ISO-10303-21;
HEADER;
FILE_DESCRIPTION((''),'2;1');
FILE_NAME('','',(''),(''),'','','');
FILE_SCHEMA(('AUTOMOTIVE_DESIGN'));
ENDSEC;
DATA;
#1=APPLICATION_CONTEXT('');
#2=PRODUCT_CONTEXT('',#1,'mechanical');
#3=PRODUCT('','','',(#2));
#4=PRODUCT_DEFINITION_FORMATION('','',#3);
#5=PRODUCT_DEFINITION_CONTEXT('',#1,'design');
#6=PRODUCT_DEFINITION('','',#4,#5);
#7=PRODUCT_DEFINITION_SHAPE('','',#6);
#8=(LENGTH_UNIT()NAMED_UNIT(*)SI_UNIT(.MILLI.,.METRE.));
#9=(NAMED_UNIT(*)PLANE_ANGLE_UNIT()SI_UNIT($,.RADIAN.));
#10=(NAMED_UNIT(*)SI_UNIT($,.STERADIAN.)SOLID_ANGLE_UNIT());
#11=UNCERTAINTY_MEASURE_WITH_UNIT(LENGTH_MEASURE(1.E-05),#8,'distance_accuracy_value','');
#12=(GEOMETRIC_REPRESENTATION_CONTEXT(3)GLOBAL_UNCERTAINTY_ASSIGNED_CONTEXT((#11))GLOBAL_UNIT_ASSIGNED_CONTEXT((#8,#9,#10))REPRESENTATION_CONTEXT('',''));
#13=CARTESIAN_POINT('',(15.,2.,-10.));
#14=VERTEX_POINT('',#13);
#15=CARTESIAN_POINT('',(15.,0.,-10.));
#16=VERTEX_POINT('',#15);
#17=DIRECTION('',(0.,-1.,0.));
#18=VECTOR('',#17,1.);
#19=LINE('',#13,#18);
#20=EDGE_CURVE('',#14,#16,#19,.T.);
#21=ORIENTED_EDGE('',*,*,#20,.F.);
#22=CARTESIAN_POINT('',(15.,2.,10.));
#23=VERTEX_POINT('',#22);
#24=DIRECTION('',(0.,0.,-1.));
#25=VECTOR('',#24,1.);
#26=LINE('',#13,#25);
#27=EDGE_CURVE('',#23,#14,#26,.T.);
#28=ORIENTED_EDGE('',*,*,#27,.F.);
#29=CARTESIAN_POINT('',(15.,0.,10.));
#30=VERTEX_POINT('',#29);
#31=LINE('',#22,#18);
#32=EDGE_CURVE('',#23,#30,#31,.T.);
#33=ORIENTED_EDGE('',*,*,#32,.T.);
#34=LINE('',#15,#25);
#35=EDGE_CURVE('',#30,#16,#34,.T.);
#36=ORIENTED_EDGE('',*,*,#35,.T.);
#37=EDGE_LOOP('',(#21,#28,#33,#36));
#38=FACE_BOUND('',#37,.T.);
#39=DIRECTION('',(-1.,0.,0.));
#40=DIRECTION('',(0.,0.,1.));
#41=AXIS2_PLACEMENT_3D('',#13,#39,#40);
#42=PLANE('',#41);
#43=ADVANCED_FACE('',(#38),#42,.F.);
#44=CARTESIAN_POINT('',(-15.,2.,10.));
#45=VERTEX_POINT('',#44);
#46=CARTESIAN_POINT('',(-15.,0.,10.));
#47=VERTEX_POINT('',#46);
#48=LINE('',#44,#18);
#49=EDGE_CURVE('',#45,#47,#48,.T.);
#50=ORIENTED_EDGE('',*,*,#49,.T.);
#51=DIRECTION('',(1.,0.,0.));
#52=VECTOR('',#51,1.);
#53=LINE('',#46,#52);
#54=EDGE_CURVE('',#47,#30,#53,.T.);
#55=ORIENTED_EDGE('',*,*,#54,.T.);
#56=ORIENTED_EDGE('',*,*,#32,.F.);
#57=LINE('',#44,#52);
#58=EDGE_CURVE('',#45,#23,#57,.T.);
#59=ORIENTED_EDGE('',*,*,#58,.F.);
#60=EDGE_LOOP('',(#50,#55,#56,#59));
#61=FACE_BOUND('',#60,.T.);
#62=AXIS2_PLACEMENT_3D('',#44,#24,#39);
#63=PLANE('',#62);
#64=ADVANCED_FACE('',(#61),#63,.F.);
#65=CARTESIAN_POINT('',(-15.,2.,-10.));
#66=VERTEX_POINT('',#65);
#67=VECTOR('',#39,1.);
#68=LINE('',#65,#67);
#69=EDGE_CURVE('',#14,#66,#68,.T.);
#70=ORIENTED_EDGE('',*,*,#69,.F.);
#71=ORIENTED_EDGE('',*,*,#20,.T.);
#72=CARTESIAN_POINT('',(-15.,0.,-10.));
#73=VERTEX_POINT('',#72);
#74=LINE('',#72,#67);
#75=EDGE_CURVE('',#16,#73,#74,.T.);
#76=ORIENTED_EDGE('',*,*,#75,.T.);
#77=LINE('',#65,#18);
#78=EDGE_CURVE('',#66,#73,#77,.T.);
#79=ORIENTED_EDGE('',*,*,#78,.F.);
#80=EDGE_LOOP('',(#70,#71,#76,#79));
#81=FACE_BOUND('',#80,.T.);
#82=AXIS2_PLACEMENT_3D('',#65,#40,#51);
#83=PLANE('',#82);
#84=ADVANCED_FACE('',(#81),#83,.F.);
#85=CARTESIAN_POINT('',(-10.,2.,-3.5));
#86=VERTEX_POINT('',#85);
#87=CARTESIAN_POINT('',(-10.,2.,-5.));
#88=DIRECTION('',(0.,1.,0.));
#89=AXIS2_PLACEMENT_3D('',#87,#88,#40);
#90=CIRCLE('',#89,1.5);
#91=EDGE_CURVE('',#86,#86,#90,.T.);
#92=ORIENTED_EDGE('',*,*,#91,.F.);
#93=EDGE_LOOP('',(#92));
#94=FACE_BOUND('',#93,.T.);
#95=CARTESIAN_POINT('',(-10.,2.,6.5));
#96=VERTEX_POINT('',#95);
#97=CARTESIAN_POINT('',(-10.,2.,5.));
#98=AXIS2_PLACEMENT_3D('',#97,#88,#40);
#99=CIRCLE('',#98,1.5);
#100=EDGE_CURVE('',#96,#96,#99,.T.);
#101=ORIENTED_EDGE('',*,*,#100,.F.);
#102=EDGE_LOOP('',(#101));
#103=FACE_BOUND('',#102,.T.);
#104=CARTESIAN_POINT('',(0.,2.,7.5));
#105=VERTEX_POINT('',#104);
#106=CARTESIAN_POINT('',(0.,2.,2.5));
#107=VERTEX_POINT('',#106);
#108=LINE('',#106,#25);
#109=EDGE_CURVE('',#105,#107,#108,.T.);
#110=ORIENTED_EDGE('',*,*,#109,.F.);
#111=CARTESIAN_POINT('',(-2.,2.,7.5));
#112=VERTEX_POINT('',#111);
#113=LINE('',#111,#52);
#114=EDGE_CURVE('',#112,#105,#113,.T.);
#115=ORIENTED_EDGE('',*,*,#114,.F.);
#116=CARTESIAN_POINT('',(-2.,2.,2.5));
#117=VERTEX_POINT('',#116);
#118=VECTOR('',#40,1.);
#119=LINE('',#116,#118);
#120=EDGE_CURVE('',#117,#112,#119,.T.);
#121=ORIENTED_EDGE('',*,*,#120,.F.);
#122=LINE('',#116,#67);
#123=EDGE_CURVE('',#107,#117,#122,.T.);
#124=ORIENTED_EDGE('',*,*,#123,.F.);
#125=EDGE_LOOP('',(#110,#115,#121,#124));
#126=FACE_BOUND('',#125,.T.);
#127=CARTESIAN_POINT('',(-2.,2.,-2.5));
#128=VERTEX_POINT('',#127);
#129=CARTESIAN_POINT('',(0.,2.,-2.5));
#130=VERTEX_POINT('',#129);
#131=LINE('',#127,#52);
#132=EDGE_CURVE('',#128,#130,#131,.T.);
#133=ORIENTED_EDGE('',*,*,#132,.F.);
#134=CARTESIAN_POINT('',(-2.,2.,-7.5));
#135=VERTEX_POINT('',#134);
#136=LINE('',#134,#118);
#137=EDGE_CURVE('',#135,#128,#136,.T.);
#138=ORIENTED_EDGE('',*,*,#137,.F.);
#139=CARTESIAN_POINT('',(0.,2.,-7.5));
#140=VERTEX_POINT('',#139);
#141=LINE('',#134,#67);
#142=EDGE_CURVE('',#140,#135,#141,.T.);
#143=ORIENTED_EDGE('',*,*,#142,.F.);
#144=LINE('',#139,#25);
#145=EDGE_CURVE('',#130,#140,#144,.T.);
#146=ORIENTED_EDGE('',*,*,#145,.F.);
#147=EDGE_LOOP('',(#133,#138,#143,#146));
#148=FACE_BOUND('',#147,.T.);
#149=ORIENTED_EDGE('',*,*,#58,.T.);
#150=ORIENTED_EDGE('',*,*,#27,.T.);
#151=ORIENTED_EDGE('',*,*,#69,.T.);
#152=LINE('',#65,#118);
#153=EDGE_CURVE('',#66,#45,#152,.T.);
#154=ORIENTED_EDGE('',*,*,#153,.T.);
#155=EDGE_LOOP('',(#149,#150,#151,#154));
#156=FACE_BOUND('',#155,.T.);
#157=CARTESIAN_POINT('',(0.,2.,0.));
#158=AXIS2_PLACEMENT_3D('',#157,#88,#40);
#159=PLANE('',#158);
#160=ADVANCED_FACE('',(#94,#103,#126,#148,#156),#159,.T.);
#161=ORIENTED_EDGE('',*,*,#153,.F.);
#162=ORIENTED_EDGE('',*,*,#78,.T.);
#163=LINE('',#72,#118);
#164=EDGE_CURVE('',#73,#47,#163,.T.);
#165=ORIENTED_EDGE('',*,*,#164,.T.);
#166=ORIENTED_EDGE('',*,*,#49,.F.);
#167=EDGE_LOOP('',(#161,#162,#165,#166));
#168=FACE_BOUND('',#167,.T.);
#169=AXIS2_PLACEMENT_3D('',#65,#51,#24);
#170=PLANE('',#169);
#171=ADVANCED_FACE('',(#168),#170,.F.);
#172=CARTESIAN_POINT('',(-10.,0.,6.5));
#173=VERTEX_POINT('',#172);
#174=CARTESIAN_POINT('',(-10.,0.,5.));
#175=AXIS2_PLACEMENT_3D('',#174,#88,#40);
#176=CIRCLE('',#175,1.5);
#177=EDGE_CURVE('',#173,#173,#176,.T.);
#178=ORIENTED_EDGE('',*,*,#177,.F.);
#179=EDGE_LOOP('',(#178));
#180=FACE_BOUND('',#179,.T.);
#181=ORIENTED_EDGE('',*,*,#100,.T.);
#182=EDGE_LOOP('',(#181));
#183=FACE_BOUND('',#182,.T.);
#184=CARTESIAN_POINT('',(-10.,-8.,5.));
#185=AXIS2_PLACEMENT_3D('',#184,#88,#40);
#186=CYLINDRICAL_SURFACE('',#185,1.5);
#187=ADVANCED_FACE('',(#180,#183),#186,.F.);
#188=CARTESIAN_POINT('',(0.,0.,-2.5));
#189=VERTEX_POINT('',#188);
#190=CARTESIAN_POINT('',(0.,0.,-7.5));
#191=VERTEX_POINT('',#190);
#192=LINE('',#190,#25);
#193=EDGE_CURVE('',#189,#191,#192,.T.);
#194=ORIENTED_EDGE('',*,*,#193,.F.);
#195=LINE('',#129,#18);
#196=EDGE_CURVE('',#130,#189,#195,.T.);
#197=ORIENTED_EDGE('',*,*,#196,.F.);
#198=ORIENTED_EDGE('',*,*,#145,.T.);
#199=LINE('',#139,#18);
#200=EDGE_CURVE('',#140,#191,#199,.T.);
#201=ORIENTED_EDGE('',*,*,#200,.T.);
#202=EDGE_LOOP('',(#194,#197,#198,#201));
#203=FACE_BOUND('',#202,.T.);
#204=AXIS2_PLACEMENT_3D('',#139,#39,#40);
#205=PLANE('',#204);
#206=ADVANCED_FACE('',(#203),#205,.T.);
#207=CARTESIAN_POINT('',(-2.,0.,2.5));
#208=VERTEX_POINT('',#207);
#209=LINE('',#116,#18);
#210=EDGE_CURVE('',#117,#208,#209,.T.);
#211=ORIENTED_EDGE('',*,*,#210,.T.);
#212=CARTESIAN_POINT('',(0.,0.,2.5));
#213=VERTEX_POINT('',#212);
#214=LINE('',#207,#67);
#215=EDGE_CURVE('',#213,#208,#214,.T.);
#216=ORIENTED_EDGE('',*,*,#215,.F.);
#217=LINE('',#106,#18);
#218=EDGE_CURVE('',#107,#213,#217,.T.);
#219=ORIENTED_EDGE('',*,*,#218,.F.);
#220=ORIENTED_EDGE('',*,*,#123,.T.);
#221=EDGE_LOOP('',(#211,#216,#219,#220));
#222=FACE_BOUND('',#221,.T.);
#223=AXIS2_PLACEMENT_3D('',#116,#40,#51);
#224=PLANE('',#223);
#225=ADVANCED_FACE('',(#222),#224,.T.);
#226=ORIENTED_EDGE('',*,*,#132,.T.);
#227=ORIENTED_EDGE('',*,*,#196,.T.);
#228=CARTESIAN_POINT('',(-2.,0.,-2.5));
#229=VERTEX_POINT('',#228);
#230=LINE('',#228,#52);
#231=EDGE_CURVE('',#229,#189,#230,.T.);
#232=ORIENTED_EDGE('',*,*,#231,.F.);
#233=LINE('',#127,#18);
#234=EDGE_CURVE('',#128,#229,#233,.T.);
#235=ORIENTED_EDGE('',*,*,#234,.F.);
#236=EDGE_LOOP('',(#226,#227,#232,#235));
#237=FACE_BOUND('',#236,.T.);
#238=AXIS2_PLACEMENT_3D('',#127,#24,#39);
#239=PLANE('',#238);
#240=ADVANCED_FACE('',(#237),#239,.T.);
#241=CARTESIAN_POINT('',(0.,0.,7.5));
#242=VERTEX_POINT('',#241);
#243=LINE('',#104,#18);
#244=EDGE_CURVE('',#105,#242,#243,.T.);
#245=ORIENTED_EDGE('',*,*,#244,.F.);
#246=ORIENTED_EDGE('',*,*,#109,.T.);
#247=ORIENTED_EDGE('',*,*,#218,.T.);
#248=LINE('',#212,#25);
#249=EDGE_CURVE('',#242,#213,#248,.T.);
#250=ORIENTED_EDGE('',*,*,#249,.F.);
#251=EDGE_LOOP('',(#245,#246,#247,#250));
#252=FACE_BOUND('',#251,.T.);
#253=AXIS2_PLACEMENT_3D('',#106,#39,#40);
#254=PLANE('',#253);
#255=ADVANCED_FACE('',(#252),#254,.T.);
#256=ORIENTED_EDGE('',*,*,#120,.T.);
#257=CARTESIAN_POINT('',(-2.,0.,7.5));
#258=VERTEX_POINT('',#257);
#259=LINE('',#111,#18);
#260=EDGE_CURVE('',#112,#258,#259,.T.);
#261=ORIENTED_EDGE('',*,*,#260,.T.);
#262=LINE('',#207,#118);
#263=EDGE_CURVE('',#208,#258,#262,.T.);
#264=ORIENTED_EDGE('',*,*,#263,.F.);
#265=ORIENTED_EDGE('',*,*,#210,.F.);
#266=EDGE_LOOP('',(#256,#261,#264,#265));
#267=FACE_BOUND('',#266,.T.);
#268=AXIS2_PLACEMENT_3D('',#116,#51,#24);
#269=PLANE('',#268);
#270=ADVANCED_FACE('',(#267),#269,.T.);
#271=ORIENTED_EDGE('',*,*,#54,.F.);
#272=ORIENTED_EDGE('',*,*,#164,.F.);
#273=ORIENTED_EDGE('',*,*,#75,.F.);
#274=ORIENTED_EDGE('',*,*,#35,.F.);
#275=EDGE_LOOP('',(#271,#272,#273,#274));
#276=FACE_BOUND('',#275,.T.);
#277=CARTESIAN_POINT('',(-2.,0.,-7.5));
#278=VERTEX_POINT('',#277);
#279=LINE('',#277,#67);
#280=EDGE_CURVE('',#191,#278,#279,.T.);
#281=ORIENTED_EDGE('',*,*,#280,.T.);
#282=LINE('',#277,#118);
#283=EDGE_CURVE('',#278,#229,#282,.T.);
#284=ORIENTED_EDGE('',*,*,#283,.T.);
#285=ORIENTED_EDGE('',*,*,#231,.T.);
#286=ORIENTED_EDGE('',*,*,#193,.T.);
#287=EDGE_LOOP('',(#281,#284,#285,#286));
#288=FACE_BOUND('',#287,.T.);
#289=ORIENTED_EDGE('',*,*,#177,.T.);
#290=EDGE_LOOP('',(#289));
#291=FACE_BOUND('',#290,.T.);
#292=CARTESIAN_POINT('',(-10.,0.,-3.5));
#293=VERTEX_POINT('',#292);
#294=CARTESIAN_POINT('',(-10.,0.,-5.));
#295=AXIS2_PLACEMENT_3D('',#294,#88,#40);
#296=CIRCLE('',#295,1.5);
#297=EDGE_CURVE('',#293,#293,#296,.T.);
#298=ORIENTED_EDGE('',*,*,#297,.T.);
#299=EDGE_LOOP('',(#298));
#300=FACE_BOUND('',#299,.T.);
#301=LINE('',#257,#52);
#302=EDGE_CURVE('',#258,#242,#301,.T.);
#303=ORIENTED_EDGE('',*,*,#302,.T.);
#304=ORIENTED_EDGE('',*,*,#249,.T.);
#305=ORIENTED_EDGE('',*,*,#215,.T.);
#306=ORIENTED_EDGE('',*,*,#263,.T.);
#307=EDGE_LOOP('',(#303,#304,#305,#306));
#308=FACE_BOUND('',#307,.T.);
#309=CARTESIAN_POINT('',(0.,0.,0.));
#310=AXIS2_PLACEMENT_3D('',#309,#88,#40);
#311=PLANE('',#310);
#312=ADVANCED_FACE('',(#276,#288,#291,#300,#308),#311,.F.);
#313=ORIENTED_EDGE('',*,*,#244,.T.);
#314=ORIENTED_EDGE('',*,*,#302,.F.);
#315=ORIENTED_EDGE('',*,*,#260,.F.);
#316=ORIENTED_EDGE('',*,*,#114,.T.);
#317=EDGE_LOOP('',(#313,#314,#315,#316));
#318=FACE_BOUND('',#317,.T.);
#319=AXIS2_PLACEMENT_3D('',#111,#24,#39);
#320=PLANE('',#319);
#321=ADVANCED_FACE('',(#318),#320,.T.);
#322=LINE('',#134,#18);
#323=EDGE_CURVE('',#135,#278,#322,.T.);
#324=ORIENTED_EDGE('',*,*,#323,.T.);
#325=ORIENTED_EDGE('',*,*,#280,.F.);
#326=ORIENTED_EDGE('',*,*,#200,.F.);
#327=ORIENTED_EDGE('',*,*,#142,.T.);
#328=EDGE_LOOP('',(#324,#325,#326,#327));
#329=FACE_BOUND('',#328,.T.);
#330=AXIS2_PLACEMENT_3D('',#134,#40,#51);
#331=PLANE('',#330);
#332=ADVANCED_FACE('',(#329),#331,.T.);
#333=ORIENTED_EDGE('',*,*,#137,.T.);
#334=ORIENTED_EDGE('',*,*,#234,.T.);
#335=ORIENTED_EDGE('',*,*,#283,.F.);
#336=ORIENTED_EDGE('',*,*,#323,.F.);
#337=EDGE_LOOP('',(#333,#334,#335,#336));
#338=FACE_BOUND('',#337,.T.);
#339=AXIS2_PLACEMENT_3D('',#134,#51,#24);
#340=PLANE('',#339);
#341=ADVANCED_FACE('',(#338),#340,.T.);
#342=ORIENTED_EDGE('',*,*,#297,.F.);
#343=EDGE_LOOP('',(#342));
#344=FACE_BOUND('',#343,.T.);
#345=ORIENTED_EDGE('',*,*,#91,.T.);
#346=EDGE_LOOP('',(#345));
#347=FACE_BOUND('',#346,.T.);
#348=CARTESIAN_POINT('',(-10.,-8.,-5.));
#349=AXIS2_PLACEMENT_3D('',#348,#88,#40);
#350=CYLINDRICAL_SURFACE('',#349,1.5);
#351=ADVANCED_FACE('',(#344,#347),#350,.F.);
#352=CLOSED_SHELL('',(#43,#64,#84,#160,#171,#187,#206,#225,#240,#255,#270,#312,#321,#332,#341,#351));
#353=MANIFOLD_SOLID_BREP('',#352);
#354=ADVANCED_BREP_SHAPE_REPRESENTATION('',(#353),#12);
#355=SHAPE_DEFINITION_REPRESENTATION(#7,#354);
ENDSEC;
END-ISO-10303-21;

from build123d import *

# Parameters (mm, degrees)
SKETCH1_W           = 30
SKETCH1_H           = 20
SKETCH1_W_2         = 2
SKETCH1_H_2         = 5
BOSS_EXTRUDE1_DEPTH = 2
SKETCH2_R           = 1.5
CUT_EXTRUDE1_DEPTH  = 10


with BuildPart() as part:
    # Sketch1 → Boss-Extrude1 (new body)
    with BuildSketch(Plane(origin=(0, 0, 0), x_dir=(1, 0, 0), z_dir=(0, 1, 0))):
        Rectangle(SKETCH1_W, SKETCH1_H)
        with Locations((-1, 5)):
            Rectangle(SKETCH1_W_2, SKETCH1_H_2, mode=Mode.SUBTRACT)
        with Locations((-1, -5)):
            Rectangle(SKETCH1_W_2, SKETCH1_H_2, mode=Mode.SUBTRACT)
    extrude(amount=BOSS_EXTRUDE1_DEPTH)

    # Sketch2 → Cut-Extrude1 (cut)
    with BuildSketch(Plane(origin=(0, 2, 0), x_dir=(1, 0, 0), z_dir=(0, 1, 0))):
        with Locations(Location((-10, 5, 0), (0, 0, 270))):
            Circle(SKETCH2_R)
        with Locations(Location((-10, -5, 0), (0, 0, 270))):
            Circle(SKETCH2_R)
    extrude(amount=-CUT_EXTRUDE1_DEPTH, mode=Mode.SUBTRACT)


solid = part.part
